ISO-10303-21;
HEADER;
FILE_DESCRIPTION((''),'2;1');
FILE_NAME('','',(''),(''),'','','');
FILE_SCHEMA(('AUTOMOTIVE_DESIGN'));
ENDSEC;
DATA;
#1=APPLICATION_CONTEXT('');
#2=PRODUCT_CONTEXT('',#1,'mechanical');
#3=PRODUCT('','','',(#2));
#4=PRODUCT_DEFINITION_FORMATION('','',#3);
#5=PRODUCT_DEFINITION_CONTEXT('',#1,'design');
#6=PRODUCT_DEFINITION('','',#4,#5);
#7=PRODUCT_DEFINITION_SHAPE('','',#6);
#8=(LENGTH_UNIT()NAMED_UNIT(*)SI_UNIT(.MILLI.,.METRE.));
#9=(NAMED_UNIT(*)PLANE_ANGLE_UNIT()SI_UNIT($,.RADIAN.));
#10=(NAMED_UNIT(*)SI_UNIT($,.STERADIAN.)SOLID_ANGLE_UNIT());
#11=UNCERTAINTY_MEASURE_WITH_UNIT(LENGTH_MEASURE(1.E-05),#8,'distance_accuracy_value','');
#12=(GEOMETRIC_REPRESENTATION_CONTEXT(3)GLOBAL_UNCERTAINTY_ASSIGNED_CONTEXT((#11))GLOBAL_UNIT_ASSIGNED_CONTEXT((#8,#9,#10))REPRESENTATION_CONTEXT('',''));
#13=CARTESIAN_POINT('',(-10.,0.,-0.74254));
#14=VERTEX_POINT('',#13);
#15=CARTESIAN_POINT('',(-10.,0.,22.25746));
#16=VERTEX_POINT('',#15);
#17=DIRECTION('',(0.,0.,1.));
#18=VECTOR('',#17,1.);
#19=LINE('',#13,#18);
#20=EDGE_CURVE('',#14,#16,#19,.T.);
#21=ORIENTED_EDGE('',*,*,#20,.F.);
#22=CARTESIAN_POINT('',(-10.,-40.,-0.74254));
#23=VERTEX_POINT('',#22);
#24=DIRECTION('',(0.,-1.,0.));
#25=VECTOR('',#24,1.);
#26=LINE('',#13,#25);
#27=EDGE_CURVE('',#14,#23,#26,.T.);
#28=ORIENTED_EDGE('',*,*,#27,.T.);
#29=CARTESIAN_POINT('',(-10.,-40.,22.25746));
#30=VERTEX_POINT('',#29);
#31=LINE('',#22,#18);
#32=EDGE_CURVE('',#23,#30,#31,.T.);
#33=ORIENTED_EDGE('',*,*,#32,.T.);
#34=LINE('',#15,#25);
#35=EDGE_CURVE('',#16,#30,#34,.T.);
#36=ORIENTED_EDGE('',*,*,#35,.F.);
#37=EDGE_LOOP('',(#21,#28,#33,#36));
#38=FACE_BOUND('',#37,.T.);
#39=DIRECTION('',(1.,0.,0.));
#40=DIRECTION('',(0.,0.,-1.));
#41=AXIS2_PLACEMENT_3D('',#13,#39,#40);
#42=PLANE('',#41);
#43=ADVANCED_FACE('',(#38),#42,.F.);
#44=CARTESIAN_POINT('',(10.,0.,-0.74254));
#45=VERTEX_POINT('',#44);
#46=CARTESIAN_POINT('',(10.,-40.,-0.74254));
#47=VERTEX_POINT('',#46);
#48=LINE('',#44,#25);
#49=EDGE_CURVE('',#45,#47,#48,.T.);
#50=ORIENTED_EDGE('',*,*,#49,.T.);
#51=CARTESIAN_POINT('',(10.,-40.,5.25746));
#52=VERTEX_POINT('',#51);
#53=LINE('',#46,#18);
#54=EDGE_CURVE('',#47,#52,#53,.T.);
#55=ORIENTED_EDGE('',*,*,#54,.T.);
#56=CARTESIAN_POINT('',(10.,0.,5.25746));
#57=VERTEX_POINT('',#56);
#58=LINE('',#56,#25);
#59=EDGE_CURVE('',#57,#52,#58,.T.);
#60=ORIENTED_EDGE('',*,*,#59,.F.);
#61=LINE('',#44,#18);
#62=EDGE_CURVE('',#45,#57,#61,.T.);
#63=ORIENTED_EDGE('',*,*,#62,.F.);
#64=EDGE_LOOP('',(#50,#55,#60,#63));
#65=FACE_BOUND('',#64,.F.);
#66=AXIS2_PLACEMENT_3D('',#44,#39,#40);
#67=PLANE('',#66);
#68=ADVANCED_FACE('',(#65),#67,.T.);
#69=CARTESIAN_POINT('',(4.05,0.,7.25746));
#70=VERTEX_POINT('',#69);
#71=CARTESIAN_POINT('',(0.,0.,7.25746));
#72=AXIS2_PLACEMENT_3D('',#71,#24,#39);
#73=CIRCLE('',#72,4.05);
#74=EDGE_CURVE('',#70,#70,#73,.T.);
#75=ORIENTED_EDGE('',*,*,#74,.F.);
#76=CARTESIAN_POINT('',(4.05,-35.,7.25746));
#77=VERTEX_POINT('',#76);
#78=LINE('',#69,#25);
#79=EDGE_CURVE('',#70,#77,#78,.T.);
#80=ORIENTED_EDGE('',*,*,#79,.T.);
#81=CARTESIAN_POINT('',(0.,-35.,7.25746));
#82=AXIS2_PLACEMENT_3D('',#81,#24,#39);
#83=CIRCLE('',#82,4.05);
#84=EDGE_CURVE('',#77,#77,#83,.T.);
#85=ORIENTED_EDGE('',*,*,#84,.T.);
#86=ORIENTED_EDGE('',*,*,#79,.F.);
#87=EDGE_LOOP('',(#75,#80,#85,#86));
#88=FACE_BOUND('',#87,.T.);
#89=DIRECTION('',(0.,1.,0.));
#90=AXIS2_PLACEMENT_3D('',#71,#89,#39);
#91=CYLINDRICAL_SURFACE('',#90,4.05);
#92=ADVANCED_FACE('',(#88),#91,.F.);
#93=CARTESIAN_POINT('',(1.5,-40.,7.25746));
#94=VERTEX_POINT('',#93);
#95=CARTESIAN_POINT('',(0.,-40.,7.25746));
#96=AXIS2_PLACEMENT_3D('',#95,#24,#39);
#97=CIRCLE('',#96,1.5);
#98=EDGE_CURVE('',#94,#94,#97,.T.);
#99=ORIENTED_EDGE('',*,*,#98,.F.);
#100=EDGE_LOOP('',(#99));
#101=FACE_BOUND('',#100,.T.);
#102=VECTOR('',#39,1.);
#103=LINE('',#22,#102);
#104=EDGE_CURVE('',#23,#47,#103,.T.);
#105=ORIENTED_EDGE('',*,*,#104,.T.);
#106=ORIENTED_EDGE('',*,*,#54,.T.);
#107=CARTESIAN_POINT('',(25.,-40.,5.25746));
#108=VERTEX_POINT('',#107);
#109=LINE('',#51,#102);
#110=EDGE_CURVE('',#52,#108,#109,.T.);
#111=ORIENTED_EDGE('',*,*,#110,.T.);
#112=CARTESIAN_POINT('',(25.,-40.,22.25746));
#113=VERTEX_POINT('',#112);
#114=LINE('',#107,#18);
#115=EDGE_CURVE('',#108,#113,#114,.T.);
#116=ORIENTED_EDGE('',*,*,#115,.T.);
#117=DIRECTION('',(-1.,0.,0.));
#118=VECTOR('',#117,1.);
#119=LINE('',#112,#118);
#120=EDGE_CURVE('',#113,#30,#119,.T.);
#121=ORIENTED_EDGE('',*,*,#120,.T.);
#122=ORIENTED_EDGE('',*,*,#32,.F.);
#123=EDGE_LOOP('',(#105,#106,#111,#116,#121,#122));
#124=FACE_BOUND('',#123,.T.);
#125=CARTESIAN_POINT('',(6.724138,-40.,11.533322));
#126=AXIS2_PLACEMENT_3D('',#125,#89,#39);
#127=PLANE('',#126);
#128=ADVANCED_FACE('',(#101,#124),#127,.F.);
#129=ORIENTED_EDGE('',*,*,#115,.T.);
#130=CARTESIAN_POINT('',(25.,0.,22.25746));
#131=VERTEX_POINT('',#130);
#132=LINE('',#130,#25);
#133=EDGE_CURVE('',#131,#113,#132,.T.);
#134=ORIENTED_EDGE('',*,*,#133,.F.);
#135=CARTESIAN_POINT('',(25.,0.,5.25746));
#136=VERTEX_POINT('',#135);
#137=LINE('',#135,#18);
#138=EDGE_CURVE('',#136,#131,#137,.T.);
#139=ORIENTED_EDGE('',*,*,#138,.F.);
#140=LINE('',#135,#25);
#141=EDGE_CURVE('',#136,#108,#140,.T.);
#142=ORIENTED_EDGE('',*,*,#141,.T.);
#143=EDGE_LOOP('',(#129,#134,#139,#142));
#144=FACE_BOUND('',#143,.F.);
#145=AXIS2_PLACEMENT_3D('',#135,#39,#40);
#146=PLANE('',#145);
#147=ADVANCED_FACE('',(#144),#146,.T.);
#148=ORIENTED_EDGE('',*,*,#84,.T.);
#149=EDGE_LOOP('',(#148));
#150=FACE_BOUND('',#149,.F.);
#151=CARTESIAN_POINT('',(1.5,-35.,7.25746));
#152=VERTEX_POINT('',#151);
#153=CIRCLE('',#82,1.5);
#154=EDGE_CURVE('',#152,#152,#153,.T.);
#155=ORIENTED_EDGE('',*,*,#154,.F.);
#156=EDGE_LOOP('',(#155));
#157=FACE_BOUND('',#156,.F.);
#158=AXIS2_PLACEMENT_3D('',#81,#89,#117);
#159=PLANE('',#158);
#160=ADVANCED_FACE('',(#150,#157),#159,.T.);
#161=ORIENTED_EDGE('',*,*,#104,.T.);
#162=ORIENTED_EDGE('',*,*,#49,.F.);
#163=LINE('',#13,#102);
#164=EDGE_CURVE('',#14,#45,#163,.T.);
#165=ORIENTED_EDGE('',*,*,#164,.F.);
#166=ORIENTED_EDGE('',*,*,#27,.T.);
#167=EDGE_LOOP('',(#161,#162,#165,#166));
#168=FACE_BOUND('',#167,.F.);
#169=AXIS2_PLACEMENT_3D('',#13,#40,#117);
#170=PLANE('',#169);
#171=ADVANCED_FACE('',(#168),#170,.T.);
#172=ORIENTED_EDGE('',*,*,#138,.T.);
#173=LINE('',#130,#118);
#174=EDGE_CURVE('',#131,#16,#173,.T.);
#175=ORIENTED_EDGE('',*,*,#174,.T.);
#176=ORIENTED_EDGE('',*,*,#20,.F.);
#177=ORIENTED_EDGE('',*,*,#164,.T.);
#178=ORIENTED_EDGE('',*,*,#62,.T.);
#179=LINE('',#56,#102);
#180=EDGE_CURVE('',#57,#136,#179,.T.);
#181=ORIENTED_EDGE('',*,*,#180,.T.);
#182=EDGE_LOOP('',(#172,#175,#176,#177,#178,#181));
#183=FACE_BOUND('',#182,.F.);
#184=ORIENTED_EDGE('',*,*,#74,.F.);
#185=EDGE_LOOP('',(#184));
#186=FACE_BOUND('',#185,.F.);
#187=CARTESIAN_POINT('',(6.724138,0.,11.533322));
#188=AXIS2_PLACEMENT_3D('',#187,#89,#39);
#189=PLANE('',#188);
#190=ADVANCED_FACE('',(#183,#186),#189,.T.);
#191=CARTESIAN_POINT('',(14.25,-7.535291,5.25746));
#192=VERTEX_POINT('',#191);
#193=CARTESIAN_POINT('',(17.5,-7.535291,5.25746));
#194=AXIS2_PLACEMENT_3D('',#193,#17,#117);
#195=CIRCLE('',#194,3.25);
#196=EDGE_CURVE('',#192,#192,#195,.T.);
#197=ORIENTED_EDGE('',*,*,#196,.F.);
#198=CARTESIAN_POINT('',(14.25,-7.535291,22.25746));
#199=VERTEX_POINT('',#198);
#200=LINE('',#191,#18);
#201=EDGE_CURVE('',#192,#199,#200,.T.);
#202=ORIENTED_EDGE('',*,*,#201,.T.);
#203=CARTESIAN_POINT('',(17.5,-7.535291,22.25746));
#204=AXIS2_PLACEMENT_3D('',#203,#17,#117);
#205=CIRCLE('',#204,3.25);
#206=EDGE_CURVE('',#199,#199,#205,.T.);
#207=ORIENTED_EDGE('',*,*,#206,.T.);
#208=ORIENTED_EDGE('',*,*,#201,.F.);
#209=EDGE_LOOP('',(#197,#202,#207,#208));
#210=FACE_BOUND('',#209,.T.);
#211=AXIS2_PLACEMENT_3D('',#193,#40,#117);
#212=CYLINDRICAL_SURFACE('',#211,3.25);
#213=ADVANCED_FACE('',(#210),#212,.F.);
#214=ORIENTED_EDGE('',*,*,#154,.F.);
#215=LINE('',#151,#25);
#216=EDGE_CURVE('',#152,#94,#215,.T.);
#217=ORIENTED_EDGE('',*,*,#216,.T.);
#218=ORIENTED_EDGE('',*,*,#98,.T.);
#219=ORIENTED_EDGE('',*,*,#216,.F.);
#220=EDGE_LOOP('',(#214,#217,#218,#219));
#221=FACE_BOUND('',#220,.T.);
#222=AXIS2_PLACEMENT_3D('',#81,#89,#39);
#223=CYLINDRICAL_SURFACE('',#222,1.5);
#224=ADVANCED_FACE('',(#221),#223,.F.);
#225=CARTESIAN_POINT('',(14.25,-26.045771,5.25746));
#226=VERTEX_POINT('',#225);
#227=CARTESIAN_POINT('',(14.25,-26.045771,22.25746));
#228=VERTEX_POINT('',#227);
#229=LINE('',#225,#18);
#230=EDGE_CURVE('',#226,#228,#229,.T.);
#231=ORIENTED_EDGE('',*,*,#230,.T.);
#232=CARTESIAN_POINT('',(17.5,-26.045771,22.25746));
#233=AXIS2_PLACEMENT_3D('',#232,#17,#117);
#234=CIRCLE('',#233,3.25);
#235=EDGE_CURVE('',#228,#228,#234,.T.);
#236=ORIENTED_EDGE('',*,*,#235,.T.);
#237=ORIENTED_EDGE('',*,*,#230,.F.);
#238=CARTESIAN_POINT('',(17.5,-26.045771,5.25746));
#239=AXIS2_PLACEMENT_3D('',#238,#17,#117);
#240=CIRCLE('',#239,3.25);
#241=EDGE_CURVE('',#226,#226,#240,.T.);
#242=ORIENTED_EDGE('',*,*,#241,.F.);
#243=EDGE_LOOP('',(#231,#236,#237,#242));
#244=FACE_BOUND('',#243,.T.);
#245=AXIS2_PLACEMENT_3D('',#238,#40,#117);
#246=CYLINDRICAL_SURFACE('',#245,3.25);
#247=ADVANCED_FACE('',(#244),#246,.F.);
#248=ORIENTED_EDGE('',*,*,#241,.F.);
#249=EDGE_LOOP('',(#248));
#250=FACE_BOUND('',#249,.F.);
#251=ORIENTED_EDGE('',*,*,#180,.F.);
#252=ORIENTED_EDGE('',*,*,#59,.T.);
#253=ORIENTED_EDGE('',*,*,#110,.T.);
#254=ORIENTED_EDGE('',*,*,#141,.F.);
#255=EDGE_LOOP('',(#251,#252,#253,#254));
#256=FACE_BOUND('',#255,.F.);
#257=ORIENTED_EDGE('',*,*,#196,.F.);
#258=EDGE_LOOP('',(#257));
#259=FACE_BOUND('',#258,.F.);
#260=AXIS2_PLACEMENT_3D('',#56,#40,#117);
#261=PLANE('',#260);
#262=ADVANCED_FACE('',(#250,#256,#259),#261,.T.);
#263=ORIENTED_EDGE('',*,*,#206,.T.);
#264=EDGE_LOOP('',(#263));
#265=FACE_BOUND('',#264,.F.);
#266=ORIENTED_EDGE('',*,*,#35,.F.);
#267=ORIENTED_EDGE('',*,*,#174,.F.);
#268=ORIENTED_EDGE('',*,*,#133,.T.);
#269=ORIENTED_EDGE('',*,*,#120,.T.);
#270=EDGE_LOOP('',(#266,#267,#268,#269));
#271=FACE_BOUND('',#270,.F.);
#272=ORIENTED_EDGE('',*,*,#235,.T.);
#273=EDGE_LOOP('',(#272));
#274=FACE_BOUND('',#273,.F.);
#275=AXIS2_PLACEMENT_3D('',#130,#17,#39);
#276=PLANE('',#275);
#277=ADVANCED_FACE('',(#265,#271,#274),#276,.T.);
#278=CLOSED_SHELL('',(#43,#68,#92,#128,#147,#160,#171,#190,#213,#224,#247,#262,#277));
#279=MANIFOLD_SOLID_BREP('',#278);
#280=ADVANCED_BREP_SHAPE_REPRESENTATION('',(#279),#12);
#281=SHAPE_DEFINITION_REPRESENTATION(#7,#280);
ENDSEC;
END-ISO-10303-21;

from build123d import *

# Parameters (mm, degrees)
BOSS_EXTRUDE2_DEPTH = 40
SKETCH3_R           = 4.05
CUT_EXTRUDE1_DEPTH  = 35
CUT_EXTRUDE2_REACH  = 19
SKETCH4_R           = 3.25
SKETCH6_R           = 1.5
CUT_EXTRUDE3_DEPTH  = 10


with BuildPart() as part:
    # Sketch1 → Boss-Extrude2 (new body)
    with BuildSketch(Plane(origin=(0, 0, 0), x_dir=(1, 0, 0), z_dir=(0, 1, 0))):
        Polygon((-10, -5.257459708), (-10, 0.742540292), (10, 0.742540292), (10, -5.257459708), (25, -5.257459708), (25, -22.257459708), (-10, -22.257459708), align=None)
    extrude(amount=BOSS_EXTRUDE2_DEPTH)

    # Sketch3 → Cut-Extrude1 (cut)
    with BuildSketch(Plane.XZ):
        with Locations((0, 7.257459708)):
            Circle(SKETCH3_R)
    extrude(amount=-CUT_EXTRUDE1_DEPTH, mode=Mode.SUBTRACT)

    # Sketch4 → Cut-Extrude2 (cut, up to next)
    with BuildSketch(Plane(origin=(0, 0, 5.257459708), x_dir=(-1, 0, 0), z_dir=(0, 0, -1)), mode=Mode.PRIVATE) as cut_extrude2_sk1:
        with Locations((-17.5, 26.045770547)):
            Circle(SKETCH4_R)
    cut_extrude2_tool1 = extrude(cut_extrude2_sk1.sketch, amount=-CUT_EXTRUDE2_REACH, mode=Mode.PRIVATE) & part.part
    add(cut_extrude2_tool1.solids().sort_by_distance((17.5, 26.045771, 5.25746))[0], mode=Mode.SUBTRACT)
    # Sketch4 → Cut-Extrude2 (cut, up to next)
    with BuildSketch(Plane(origin=(0, 0, 5.257459708), x_dir=(-1, 0, 0), z_dir=(0, 0, -1)), mode=Mode.PRIVATE) as cut_extrude2_sk2:
        with Locations((-17.5, 7.535290978)):
            Circle(SKETCH4_R)
    cut_extrude2_tool2 = extrude(cut_extrude2_sk2.sketch, amount=-CUT_EXTRUDE2_REACH, mode=Mode.PRIVATE) & part.part
    add(cut_extrude2_tool2.solids().sort_by_distance((17.5, 7.535291, 5.25746))[0], mode=Mode.SUBTRACT)

    # Sketch6 → Cut-Extrude3 (cut)
    with BuildSketch(Plane.XZ.offset(-35)):
        with Locations((0, 7.257459708)):
            Circle(SKETCH6_R)
    extrude(amount=-CUT_EXTRUDE3_DEPTH, mode=Mode.SUBTRACT)


with BuildPart() as body_2:
    # Mirror4: mirrored copy
    add(part.part.mirror(Plane.ZX))


solid = body_2.part
